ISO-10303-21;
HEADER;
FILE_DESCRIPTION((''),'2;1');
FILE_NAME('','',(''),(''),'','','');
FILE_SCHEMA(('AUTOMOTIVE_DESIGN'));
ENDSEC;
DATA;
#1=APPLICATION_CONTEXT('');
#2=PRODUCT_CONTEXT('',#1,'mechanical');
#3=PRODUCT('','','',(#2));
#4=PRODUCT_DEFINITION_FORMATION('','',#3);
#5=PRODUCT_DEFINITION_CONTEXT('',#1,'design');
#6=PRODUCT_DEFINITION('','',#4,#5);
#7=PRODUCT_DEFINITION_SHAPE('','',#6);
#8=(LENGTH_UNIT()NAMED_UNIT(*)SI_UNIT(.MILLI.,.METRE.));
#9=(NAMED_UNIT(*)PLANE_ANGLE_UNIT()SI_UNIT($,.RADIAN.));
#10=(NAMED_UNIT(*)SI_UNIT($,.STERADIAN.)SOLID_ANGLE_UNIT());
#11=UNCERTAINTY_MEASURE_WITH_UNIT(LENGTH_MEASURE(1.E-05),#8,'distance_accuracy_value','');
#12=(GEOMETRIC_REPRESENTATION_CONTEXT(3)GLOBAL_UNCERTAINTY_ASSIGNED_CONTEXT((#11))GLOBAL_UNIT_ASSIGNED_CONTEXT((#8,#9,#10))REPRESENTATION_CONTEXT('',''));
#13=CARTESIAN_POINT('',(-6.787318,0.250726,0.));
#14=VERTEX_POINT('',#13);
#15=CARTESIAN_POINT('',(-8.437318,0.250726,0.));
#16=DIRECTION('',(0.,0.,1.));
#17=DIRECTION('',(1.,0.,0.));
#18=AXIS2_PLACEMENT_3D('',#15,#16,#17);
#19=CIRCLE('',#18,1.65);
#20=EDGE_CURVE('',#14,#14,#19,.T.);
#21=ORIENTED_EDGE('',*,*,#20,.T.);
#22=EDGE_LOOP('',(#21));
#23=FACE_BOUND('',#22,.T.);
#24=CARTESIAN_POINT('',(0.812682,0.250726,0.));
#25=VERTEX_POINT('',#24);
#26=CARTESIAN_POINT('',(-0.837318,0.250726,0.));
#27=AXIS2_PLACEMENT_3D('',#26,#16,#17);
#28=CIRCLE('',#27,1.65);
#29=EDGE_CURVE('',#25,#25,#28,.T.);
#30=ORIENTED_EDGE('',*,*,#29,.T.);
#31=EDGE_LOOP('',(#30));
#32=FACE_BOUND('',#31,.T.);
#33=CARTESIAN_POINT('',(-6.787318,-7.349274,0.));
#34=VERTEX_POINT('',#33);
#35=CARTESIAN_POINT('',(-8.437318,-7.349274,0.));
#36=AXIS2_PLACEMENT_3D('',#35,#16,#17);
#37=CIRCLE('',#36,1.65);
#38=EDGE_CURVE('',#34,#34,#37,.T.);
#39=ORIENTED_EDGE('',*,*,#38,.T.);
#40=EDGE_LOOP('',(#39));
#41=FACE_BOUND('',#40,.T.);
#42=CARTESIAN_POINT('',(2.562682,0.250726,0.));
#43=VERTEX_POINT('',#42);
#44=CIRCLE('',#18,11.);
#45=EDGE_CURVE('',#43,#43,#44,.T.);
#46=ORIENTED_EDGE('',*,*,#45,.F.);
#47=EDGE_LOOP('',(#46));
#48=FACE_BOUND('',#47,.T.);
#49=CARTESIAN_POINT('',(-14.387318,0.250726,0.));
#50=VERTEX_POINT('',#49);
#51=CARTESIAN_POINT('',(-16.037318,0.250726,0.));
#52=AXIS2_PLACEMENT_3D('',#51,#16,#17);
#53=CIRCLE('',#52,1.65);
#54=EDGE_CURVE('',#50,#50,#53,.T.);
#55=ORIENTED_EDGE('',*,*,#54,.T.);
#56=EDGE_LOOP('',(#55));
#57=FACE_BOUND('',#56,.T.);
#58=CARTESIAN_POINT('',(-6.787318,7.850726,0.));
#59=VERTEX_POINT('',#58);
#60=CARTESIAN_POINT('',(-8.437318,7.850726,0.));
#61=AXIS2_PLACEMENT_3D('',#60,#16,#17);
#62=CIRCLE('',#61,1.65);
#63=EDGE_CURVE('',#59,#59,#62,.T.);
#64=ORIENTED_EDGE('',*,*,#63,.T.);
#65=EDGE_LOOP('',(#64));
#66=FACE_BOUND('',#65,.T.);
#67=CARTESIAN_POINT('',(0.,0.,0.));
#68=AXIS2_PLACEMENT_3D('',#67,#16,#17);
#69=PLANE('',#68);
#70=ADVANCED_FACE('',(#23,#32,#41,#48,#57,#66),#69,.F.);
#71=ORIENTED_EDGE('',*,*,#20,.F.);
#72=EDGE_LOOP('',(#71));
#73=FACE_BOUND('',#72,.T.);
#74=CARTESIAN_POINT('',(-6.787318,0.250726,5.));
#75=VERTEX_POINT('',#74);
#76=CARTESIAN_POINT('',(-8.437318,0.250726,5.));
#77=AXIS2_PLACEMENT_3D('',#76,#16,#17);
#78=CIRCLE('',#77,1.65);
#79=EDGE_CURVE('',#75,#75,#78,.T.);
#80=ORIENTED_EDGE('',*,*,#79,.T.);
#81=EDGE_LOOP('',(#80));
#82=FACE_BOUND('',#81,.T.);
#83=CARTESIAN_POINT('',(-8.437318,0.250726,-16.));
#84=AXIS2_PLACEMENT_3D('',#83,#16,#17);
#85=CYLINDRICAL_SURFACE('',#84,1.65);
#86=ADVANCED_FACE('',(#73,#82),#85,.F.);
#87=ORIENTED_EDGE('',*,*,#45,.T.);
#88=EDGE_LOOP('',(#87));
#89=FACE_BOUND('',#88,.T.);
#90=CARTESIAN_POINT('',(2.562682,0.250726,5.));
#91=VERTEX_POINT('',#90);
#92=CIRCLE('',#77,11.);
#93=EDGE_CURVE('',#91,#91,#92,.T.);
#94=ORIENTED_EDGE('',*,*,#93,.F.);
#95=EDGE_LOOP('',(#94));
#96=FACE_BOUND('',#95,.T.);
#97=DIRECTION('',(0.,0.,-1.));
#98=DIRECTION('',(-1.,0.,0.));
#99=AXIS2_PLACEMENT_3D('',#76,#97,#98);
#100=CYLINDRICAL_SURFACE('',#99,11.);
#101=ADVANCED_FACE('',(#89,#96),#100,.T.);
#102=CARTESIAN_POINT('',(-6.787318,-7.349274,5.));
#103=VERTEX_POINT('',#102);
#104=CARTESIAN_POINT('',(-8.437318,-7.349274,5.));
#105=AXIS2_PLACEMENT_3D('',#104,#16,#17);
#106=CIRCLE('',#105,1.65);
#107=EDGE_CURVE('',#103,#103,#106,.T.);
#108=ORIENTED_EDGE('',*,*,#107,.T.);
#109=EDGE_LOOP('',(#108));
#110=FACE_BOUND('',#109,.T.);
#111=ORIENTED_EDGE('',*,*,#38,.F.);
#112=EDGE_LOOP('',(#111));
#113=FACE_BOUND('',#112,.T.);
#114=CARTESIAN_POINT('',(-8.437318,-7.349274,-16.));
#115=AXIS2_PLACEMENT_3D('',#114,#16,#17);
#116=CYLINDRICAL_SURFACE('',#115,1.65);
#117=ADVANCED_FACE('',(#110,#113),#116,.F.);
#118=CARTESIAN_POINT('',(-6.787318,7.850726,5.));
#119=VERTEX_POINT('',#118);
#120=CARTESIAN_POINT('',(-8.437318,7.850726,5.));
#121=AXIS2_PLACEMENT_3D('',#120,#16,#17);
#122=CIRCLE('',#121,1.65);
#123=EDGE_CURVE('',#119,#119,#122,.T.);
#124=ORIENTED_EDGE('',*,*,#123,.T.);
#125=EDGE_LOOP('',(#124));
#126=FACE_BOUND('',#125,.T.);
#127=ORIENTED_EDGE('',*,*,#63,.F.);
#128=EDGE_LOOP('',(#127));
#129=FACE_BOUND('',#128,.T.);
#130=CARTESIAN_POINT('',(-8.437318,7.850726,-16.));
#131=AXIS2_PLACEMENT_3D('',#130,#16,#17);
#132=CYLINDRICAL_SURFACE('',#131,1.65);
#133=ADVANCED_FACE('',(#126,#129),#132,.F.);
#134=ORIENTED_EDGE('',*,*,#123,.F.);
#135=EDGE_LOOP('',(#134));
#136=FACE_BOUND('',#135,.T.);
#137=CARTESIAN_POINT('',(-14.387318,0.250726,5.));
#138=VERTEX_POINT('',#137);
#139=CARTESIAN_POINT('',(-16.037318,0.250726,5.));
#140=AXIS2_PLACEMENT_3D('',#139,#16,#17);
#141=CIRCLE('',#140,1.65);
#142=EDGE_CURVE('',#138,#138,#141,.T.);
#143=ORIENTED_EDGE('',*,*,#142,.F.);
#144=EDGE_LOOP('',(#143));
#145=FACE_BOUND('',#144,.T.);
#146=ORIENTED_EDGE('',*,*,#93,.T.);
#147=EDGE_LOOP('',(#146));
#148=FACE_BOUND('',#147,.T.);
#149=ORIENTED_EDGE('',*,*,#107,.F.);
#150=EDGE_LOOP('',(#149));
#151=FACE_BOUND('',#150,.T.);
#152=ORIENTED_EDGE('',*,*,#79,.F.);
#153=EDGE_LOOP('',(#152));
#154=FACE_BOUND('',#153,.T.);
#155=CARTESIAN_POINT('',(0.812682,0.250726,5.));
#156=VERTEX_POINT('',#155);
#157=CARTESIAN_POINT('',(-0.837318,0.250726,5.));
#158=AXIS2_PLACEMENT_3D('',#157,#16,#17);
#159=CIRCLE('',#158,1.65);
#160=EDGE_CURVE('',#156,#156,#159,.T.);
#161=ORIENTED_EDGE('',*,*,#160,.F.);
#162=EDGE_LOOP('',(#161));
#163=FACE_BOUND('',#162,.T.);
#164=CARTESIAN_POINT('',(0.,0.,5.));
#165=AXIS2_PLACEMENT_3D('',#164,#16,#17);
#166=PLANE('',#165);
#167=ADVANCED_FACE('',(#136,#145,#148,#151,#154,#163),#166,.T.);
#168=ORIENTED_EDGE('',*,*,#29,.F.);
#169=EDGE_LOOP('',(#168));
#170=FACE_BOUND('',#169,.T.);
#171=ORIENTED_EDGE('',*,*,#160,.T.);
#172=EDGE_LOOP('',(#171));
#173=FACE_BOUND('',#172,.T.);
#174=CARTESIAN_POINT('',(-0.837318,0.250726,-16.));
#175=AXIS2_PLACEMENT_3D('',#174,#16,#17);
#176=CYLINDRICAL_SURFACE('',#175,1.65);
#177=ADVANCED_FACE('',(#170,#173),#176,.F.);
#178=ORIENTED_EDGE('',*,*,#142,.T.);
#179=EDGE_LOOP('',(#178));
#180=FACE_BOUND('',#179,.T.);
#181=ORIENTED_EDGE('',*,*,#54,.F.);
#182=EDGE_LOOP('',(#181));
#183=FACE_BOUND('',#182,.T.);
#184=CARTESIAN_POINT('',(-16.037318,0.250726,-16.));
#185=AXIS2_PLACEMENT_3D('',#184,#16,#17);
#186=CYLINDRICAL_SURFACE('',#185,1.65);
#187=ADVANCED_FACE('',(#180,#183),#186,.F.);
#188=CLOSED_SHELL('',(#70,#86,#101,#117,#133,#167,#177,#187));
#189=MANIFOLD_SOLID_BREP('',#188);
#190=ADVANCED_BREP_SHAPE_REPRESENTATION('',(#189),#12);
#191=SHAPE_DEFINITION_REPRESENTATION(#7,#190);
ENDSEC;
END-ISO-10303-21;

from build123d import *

# Parameters (mm, degrees)
SKETCH1_R           = 11
BOSS_EXTRUDE1_DEPTH = 5
SKETCH2_R           = 1.65
CUT_EXTRUDE2_DEPTH  = 21


with BuildPart() as part:
    # Sketch1 → Boss-Extrude1 (new body)
    with BuildSketch(Plane.XY):
        with Locations((-8.437318413, 0.250726348)):
            Circle(SKETCH1_R)
    extrude(amount=BOSS_EXTRUDE1_DEPTH)

    # Sketch2 → Cut-Extrude2 (cut)
    with BuildSketch(Plane.XY.offset(5)):
        with Locations((-8.437318413, 7.850726348)):
            Circle(SKETCH2_R)
        with Locations((-0.837318413, 0.250726348)):
            Circle(SKETCH2_R)
        with Locations((-8.437318413, -7.349273652)):
            Circle(SKETCH2_R)
        with Locations((-16.037318413, 0.250726348)):
            Circle(SKETCH2_R)
        with Locations((-8.437318413, 0.250726348)):
            Circle(SKETCH2_R)
    extrude(amount=-CUT_EXTRUDE2_DEPTH, mode=Mode.SUBTRACT)


solid = part.part
